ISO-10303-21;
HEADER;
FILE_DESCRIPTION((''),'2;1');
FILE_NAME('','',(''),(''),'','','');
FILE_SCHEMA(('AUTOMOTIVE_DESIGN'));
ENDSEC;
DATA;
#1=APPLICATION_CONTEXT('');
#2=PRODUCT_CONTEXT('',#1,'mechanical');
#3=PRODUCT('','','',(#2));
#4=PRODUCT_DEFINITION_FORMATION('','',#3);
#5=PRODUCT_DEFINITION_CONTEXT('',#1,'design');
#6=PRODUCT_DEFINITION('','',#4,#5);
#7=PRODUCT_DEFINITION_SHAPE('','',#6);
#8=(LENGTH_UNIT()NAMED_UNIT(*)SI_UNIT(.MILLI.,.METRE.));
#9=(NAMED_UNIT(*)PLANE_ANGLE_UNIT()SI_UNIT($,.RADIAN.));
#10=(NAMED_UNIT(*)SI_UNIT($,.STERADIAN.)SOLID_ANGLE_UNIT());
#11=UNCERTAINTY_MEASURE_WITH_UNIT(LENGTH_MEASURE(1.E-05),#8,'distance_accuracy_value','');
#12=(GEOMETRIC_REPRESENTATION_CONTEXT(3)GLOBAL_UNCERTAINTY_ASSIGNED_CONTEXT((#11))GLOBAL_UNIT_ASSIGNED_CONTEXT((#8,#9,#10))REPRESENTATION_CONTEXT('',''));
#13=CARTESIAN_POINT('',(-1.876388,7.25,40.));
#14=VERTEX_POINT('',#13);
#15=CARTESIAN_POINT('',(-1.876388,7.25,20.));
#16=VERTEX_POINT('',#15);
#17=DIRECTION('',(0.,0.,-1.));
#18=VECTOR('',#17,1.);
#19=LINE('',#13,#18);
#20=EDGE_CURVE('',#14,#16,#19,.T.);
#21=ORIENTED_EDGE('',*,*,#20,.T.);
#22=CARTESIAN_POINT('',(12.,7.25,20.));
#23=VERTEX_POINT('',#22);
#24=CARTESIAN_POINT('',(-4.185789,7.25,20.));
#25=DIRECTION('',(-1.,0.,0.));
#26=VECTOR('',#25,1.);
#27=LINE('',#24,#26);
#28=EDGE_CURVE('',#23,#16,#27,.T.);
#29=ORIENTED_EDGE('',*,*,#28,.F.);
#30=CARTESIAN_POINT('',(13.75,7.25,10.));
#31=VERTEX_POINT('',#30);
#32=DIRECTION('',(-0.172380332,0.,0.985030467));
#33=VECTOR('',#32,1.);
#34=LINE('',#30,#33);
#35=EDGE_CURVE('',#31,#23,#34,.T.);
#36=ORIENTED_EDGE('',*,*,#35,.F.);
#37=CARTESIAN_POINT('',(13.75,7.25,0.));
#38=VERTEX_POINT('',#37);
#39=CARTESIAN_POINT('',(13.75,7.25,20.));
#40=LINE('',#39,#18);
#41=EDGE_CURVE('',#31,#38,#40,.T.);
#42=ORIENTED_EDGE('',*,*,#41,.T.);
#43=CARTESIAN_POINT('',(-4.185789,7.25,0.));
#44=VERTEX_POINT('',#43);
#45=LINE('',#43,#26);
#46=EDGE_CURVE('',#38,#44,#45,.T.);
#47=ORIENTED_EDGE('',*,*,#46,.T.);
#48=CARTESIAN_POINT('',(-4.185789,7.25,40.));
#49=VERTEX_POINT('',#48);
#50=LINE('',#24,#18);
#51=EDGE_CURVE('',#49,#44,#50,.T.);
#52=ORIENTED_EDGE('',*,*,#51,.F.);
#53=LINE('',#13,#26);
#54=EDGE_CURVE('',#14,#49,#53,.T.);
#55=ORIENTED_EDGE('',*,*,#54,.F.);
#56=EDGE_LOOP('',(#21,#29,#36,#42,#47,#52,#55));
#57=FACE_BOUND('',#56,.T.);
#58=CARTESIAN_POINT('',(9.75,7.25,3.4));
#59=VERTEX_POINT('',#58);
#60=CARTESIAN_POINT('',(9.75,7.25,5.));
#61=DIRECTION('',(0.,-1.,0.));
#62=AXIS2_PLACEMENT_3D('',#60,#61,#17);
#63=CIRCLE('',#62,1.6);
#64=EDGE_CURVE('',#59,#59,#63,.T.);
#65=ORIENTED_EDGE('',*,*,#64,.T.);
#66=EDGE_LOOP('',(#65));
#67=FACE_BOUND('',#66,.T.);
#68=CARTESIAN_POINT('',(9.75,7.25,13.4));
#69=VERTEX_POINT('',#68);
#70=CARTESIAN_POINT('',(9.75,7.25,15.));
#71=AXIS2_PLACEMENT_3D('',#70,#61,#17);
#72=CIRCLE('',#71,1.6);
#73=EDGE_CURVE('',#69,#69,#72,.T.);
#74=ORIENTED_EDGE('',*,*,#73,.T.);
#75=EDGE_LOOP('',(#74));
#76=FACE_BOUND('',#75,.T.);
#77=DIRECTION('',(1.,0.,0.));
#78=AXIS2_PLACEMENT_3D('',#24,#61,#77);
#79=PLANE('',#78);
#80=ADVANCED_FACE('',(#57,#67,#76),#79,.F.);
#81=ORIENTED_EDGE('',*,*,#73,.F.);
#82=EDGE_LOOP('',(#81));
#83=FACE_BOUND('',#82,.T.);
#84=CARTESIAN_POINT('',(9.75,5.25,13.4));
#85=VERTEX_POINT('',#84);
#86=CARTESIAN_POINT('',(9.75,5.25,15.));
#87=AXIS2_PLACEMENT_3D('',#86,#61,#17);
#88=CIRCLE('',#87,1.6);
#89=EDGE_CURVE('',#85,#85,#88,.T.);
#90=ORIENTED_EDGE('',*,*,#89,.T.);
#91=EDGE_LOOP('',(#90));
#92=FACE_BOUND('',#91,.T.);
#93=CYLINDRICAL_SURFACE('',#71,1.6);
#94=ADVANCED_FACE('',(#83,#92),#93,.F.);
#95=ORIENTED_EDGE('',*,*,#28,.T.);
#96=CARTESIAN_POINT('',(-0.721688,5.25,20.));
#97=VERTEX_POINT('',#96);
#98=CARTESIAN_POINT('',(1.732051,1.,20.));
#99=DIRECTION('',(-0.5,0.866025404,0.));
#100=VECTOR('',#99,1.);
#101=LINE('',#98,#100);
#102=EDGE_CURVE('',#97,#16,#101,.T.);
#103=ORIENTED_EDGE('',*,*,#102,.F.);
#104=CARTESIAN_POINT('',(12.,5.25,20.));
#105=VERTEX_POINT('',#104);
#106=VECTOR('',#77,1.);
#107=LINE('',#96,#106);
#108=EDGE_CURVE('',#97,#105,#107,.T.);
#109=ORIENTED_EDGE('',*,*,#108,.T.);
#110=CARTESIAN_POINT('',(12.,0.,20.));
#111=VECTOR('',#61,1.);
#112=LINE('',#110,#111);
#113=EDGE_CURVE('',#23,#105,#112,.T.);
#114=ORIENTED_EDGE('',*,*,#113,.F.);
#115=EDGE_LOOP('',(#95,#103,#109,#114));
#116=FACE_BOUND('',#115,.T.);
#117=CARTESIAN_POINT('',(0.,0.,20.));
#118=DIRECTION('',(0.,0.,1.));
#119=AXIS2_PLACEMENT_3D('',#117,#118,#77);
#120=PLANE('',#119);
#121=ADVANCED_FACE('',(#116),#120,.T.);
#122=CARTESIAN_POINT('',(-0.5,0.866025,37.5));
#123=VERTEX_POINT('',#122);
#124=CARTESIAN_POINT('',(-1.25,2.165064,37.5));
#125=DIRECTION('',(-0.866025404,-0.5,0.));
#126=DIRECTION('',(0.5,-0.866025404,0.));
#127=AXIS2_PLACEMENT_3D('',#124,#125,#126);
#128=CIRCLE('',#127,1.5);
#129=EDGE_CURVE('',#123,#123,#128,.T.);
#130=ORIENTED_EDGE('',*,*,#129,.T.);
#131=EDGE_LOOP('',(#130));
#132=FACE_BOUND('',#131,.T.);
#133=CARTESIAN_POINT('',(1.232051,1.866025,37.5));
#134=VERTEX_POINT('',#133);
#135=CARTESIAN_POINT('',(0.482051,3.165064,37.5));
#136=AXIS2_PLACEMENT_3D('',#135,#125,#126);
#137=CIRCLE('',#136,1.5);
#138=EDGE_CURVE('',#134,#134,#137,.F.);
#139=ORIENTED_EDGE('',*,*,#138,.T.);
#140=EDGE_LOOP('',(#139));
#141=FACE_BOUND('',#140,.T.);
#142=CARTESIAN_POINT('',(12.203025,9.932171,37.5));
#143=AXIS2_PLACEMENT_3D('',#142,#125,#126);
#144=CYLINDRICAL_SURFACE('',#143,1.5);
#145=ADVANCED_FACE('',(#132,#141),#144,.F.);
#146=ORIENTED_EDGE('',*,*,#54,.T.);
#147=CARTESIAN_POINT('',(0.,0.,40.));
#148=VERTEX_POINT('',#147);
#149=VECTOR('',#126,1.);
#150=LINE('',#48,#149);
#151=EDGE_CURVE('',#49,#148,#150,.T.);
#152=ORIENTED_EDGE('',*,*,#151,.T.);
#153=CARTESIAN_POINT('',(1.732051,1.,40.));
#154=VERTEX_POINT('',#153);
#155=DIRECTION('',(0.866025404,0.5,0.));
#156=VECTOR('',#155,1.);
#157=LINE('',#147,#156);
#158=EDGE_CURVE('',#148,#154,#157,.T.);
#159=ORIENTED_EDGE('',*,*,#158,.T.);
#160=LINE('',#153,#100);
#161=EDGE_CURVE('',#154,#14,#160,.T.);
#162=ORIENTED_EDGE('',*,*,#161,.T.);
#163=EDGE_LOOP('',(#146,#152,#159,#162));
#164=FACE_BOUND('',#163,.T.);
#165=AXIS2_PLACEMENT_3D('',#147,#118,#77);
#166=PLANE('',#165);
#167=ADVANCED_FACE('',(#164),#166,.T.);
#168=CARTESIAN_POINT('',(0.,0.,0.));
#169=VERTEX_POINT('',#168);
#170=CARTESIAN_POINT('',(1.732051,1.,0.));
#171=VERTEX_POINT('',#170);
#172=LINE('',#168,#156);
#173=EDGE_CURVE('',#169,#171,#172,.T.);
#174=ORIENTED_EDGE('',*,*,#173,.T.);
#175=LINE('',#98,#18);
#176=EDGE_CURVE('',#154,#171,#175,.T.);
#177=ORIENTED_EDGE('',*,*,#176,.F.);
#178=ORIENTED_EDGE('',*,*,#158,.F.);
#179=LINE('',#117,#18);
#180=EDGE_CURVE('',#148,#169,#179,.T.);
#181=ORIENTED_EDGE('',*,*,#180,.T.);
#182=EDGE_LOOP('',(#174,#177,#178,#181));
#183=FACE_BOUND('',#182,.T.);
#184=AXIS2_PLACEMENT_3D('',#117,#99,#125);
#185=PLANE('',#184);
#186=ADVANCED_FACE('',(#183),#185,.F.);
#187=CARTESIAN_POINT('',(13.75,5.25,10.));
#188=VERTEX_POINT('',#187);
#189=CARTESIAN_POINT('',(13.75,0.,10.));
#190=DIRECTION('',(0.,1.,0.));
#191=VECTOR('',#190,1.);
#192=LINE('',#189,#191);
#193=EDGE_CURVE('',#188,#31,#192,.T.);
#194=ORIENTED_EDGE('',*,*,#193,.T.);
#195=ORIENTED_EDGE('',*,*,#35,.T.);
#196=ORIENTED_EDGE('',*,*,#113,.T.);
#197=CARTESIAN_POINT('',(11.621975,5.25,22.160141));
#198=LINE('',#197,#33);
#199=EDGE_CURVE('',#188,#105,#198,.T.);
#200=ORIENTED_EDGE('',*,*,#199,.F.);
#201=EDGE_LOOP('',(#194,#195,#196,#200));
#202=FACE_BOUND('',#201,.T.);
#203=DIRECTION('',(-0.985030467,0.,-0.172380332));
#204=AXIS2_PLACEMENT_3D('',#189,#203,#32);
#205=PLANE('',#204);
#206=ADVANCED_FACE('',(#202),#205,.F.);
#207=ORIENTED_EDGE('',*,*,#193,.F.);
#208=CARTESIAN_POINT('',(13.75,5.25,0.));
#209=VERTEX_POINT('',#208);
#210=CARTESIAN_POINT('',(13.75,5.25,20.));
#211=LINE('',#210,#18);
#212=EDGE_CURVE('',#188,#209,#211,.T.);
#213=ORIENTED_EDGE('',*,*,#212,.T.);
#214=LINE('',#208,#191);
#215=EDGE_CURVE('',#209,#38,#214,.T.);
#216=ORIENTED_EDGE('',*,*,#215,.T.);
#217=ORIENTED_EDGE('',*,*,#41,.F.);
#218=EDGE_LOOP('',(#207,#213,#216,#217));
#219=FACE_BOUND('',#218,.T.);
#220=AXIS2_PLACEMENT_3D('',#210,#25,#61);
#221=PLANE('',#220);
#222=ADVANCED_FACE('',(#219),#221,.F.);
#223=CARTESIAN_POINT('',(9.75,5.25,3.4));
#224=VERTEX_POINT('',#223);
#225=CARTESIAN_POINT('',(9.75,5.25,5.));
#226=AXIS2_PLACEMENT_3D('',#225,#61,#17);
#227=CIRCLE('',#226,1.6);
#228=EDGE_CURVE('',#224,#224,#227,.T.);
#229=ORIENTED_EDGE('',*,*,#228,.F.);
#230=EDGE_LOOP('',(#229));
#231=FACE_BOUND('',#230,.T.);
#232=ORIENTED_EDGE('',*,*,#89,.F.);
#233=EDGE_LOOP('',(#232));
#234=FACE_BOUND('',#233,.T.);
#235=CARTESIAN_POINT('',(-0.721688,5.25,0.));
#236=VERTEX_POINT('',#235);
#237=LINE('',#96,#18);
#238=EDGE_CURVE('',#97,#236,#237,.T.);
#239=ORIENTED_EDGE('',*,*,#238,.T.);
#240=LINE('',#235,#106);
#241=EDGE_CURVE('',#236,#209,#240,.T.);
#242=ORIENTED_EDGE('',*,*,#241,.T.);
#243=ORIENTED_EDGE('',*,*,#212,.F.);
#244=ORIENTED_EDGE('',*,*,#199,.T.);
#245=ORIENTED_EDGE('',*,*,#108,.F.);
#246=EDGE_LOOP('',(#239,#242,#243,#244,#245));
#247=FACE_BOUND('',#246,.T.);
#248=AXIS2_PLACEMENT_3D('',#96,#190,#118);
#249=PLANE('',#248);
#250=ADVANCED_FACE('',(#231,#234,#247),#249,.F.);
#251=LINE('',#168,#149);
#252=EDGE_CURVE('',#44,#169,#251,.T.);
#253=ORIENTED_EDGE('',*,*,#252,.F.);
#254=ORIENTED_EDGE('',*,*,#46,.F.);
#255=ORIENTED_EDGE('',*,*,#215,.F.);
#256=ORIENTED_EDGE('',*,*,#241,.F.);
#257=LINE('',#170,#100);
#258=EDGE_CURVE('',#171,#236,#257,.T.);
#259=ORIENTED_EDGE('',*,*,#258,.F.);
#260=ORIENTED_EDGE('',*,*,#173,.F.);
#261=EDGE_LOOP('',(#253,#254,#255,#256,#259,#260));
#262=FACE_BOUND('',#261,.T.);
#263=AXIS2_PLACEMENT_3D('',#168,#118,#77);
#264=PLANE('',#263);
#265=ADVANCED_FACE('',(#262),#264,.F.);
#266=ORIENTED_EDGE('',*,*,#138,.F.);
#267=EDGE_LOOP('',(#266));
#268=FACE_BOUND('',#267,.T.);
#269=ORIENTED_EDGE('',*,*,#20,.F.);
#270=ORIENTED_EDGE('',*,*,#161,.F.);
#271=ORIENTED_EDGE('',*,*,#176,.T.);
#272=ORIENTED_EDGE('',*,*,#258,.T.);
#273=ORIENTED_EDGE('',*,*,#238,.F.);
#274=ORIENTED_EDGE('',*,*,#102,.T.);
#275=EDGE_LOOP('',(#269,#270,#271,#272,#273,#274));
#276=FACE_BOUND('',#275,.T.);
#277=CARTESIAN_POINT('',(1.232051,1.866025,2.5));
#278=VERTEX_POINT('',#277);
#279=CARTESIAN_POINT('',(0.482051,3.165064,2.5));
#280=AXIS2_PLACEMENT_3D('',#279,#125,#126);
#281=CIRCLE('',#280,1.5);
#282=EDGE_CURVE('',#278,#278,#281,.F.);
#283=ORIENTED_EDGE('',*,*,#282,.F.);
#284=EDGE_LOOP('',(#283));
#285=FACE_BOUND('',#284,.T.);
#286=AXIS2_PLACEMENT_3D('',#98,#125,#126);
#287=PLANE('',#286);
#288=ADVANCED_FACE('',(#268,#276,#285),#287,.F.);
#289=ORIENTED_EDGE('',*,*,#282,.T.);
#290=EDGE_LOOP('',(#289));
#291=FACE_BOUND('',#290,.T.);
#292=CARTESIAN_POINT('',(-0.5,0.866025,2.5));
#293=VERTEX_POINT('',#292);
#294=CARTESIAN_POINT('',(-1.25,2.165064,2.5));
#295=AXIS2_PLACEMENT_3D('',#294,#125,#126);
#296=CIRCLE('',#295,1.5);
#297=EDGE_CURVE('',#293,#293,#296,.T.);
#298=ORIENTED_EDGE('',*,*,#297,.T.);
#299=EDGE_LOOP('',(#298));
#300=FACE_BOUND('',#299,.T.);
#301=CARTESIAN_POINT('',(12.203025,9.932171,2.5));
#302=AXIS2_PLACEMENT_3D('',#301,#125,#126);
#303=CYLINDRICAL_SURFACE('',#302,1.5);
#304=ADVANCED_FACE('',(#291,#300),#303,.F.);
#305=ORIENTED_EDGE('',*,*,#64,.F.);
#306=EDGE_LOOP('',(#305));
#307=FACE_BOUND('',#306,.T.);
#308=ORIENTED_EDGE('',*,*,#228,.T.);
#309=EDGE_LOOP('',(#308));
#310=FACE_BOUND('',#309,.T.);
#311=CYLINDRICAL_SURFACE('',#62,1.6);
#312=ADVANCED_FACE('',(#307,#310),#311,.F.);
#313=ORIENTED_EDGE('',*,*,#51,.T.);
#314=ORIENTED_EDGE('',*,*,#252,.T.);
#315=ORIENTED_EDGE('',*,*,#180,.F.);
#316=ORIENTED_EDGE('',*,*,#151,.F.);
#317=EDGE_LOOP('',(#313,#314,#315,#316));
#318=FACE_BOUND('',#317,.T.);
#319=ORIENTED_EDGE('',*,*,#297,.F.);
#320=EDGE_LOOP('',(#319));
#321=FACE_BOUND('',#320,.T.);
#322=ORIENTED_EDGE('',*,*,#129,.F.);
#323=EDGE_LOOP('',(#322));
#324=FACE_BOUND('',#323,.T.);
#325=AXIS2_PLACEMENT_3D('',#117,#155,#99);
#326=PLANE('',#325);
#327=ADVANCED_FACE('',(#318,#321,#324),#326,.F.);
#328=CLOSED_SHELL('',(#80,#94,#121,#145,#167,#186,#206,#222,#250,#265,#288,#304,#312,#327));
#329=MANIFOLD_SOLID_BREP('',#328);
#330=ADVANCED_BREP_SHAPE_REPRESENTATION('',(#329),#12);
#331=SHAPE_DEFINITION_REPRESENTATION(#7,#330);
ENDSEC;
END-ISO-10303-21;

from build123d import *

# Parameters (mm, degrees)
BOSS_EXTRUDE1_DEPTH = 20
BOSS_EXTRUDE2_DEPTH = 20
CUT_EXTRUDE1_REACH  = 44.914
SKETCH3_R           = 1.5
SKETCH4_R           = 1.6
CUT_EXTRUDE2_DEPTH  = 43.62188405
CUT_EXTRUDE3_DEPTH  = 43.914158503


with BuildPart() as part:
    # Sketch1 → Boss-Extrude1 (new body)
    with BuildSketch(Plane.XY):
        Polygon((0, 0), (-4.185789452, 7.25), (13.75, 7.25), (13.75, 5.25), (-0.721687836, 5.25), (1.732050808, 1), align=None)
    extrude(amount=BOSS_EXTRUDE1_DEPTH)

    # Sketch2 → Boss-Extrude2 (add)
    with BuildSketch(Plane.XY.offset(20)):
        Polygon((-4.185789452, 7.25), (0, 0), (1.732050808, 1), (-1.876388375, 7.25), align=None)
    extrude(amount=BOSS_EXTRUDE2_DEPTH)

    # Sketch3 → Cut-Extrude1 (cut, up to next)
    with BuildSketch(Plane(origin=(0, 0, 0), x_dir=(0, 0, 1), z_dir=(-0.8660254037844363, -0.5000000000000042, 0)), mode=Mode.PRIVATE) as cut_extrude1_sk1:
        with Locations((2.5, 2.5)):
            Circle(SKETCH3_R)
    cut_extrude1_tool1 = extrude(cut_extrude1_sk1.sketch, amount=-CUT_EXTRUDE1_REACH, mode=Mode.PRIVATE) & part.part
    # Sketch3 → Cut-Extrude1 (cut, up to next)
    with BuildSketch(Plane(origin=(0, 0, 0), x_dir=(0, 0, 1), z_dir=(-0.8660254037844363, -0.5000000000000042, 0)), mode=Mode.PRIVATE) as cut_extrude1_sk2:
        with Locations((37.5, 2.5)):
            Circle(SKETCH3_R)
    cut_extrude1_tool2 = extrude(cut_extrude1_sk2.sketch, amount=-CUT_EXTRUDE1_REACH, mode=Mode.PRIVATE) & part.part
    add(cut_extrude1_tool1.solids().sort_by_distance((-1.25, 2.165064, 2.5))[0], mode=Mode.SUBTRACT)
    add(cut_extrude1_tool2.solids().sort_by_distance((-1.25, 2.165064, 37.5))[0], mode=Mode.SUBTRACT)

    # Sketch4 → Cut-Extrude2 (cut, through all)
    with BuildSketch(Plane.XZ.offset(-5.25)):
        with Locations((9.75, 15)):
            Circle(SKETCH4_R)
        with Locations((9.75, 5)):
            Circle(SKETCH4_R)
    extrude(amount=-CUT_EXTRUDE2_DEPTH, mode=Mode.SUBTRACT)

    # Sketch5 → Cut-Extrude3 (cut, through all)
    with BuildSketch(Plane(origin=(0, 7.25, 0), x_dir=(1, 0, 0), z_dir=(0, 1, 0))):
        Polygon((13.75, -20), (13.75, -10), (12, -20), align=None)
    extrude(amount=-CUT_EXTRUDE3_DEPTH, mode=Mode.SUBTRACT)


solid = part.part
